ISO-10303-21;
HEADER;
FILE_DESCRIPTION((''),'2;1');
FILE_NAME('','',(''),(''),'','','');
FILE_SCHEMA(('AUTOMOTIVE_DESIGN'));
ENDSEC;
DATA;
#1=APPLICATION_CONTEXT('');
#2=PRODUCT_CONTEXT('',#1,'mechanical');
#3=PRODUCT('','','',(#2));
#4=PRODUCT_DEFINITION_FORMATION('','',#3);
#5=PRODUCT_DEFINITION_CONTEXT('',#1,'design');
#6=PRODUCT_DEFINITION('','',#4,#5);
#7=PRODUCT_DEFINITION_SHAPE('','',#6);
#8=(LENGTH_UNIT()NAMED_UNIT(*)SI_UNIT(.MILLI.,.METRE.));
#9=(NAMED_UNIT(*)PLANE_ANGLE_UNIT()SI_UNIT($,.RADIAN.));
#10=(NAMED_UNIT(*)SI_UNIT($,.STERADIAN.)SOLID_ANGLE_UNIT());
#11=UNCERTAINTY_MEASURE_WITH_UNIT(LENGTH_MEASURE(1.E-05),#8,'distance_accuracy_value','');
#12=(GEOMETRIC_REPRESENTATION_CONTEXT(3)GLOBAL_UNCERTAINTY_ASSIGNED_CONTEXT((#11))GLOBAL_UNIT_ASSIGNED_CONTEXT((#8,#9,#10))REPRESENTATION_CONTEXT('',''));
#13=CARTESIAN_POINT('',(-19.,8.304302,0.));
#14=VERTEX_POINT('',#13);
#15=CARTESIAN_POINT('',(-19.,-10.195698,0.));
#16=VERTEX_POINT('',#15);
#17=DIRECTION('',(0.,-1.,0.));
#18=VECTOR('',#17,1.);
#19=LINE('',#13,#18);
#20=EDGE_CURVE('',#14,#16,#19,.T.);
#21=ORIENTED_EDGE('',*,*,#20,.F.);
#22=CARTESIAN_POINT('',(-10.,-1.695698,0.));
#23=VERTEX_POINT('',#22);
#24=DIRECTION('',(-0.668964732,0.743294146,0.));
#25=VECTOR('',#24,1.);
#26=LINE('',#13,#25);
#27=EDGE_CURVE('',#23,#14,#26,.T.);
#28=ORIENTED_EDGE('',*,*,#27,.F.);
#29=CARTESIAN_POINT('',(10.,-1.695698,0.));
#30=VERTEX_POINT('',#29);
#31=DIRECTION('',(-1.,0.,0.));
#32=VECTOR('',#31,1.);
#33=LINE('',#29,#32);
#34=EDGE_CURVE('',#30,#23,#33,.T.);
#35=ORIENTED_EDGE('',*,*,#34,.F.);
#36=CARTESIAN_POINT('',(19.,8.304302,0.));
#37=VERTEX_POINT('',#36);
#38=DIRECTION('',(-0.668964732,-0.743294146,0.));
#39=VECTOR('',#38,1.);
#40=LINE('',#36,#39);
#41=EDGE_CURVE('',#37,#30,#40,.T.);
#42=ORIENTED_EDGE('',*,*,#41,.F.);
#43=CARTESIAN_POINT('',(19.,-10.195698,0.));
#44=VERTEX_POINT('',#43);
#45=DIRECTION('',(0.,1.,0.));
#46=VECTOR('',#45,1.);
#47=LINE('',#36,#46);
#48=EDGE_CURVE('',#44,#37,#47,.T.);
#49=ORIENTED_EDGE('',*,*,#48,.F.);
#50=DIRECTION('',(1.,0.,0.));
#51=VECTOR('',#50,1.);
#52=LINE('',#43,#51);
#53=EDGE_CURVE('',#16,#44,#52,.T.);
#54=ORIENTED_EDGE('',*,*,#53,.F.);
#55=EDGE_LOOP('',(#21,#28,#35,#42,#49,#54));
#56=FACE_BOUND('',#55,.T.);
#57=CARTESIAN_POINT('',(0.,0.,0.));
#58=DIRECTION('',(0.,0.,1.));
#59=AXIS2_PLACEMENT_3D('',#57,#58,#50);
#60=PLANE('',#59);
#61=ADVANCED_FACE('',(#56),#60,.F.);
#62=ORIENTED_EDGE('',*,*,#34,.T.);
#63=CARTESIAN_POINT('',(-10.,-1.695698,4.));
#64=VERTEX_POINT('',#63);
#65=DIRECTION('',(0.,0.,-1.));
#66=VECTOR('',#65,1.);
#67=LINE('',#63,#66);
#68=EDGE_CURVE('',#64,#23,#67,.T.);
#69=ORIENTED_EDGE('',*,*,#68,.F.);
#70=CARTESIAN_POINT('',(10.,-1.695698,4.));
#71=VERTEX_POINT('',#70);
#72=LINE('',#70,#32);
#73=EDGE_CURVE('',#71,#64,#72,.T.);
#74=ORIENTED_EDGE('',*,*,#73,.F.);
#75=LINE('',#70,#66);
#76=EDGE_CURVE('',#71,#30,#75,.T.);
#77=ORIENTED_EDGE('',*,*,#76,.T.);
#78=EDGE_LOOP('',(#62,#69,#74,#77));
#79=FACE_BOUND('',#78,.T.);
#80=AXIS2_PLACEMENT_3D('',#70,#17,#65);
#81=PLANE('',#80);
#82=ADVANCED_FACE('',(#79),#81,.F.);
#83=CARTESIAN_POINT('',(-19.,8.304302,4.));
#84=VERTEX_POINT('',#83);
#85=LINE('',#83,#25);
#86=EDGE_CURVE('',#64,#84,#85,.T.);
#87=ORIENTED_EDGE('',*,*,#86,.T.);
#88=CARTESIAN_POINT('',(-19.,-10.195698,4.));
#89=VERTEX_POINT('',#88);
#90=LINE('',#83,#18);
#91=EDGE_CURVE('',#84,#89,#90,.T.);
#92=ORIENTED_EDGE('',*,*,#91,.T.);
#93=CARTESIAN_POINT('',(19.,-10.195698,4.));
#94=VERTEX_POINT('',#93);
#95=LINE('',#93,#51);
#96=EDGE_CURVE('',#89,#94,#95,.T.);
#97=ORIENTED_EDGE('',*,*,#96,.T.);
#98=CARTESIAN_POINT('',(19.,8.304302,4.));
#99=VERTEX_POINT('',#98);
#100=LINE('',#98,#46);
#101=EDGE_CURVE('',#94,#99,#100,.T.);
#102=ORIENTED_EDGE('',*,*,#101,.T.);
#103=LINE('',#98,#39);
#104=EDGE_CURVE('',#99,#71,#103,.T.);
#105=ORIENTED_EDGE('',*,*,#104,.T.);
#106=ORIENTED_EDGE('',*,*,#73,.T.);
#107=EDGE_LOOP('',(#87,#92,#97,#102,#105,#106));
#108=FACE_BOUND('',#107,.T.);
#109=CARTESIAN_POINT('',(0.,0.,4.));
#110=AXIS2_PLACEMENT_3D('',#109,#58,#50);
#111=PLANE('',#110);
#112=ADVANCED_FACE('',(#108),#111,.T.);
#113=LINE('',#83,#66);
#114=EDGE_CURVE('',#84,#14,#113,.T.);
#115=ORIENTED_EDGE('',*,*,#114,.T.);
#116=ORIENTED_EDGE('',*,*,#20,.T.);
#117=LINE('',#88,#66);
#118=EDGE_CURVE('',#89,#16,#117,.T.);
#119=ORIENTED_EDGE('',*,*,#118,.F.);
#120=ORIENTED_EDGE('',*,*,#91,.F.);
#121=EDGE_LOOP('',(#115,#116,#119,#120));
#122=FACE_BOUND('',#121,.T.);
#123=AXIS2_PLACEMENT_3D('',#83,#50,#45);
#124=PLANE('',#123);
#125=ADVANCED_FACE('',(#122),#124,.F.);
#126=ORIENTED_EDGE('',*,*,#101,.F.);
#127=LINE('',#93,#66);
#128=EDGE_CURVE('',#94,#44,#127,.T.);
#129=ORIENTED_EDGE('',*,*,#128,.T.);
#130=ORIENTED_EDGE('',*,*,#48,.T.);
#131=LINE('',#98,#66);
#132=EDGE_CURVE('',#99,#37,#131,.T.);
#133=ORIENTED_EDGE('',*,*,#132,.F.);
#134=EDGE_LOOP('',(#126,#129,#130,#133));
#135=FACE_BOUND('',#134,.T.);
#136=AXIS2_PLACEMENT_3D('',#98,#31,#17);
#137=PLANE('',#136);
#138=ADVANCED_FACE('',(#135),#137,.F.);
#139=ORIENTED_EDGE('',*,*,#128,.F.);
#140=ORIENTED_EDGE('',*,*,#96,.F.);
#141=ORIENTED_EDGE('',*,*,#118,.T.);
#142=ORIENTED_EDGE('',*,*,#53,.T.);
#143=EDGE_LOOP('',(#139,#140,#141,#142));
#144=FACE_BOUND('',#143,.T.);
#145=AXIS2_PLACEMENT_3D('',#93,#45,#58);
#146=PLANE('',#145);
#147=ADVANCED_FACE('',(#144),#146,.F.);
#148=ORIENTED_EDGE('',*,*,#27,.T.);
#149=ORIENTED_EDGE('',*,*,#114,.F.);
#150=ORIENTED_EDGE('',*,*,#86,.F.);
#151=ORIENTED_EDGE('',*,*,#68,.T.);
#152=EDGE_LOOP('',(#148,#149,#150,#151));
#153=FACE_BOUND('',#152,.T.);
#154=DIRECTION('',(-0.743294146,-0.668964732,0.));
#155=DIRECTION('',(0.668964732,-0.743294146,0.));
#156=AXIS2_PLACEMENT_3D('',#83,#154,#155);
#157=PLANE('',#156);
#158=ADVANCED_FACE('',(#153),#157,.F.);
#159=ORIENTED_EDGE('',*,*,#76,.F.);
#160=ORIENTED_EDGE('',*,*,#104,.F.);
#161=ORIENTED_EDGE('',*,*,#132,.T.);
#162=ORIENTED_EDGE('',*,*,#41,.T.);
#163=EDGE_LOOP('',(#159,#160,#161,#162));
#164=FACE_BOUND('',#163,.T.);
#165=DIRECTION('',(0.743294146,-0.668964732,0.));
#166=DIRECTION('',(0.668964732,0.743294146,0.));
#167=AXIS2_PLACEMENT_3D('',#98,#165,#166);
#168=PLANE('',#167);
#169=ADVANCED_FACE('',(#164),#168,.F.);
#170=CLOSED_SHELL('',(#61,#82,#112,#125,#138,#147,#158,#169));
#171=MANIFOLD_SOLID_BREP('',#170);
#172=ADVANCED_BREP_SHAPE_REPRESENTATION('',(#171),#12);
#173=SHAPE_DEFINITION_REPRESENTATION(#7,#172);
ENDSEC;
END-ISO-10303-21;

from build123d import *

# Parameters (mm, degrees)
BOSS_EXTRUDE1_DEPTH = 4


with BuildPart() as part:
    # Sketch1 → Boss-Extrude1 (new body)
    with BuildSketch(Plane.XY):
        Polygon((19, 8.304302294), (19, -10.195697706), (-19, -10.195697706), (-19, 8.304302294), (-10, -1.695697706), (10, -1.695697706), align=None)
    extrude(amount=BOSS_EXTRUDE1_DEPTH)


solid = part.part
